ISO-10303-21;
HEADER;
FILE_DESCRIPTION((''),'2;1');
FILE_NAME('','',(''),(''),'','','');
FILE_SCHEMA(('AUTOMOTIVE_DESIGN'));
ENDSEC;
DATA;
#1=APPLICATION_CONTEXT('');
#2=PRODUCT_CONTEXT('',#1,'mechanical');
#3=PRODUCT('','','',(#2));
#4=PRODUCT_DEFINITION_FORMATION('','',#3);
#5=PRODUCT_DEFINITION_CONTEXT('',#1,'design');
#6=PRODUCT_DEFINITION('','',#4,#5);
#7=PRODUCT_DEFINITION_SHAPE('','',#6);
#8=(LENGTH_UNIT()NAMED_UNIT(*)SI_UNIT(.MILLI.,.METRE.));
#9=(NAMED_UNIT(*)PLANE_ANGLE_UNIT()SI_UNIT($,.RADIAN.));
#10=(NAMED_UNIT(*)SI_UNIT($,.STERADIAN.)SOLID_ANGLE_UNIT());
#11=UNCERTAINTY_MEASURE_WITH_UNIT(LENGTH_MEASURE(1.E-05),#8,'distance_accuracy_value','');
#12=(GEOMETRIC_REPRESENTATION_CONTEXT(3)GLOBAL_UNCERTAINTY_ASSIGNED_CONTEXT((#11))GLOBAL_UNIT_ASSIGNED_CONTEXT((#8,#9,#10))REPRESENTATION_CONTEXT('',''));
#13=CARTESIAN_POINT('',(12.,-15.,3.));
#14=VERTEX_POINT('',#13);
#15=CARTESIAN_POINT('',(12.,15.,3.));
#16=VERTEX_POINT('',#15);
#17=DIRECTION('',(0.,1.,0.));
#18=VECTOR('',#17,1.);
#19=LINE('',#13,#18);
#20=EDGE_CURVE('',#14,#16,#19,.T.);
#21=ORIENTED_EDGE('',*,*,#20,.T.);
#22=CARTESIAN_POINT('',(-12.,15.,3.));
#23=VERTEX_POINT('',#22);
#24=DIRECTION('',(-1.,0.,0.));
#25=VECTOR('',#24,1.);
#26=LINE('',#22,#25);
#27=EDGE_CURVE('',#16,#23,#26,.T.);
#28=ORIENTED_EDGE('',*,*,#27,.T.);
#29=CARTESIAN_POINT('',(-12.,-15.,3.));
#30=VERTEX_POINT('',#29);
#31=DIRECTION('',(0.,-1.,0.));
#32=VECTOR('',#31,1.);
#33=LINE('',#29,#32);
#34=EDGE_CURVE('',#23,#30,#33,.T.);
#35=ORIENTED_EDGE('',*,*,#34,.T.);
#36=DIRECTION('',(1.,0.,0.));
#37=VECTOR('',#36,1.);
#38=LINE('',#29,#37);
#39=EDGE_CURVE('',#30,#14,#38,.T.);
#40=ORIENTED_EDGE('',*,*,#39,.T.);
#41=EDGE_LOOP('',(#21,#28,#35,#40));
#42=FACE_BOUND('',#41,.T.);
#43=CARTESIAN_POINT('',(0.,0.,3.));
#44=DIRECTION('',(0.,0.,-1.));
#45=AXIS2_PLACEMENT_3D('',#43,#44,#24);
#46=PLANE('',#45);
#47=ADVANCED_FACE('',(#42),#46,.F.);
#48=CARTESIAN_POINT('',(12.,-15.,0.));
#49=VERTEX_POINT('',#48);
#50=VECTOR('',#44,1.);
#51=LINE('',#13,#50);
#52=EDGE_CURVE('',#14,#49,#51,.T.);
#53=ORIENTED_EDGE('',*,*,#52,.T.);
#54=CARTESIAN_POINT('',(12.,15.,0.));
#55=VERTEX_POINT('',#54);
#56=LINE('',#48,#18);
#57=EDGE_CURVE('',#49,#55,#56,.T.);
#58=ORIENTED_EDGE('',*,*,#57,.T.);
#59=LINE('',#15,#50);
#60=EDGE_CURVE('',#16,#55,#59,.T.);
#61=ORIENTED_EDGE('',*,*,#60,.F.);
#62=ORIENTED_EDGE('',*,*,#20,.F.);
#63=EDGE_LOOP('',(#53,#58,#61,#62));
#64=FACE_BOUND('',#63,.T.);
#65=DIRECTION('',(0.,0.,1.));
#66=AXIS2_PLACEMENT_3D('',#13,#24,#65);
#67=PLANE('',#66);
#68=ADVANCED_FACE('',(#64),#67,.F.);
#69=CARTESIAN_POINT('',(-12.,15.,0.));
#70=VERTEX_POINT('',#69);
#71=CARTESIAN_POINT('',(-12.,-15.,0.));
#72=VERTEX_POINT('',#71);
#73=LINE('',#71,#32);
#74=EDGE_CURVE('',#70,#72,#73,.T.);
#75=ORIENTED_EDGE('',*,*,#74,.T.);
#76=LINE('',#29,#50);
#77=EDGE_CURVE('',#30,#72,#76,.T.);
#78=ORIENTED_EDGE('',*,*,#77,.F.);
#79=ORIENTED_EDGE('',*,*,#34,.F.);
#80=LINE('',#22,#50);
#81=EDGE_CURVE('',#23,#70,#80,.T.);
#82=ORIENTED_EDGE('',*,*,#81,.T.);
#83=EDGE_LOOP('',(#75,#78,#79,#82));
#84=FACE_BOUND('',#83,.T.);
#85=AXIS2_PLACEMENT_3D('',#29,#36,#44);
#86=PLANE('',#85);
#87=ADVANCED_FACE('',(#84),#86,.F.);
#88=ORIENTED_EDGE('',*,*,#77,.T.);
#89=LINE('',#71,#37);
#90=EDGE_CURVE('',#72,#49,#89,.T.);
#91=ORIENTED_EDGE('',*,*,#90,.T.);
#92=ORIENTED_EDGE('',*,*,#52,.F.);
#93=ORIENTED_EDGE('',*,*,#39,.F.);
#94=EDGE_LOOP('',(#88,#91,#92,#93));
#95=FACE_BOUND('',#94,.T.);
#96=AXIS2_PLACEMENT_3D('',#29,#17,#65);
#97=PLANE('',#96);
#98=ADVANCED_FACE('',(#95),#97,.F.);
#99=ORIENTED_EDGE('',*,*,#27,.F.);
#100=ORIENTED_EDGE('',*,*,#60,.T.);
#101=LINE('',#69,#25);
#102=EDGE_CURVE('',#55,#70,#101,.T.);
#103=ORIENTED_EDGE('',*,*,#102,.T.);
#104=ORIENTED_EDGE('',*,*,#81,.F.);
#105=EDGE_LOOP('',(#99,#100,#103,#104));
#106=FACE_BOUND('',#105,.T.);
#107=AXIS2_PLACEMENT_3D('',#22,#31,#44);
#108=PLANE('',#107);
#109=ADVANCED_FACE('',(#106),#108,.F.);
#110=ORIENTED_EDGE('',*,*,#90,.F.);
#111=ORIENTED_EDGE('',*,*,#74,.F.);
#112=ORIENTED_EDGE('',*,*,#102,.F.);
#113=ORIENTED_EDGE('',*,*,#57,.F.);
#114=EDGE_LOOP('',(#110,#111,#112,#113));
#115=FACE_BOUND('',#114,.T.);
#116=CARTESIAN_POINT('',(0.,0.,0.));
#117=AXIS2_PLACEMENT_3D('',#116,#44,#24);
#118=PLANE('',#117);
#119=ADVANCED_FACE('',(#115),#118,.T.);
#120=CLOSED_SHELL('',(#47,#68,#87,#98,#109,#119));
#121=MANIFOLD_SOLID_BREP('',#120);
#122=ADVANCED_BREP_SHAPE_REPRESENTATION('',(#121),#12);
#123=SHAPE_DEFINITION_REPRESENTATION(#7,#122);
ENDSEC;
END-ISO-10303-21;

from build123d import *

# Parameters (mm, degrees)
SKETCH1_W           = 24
SKETCH1_H           = 30
BOSS_EXTRUDE1_DEPTH = 3


with BuildPart() as part:
    # Sketch1 → Boss-Extrude1 (new body)
    with BuildSketch(Plane.XY):
        Rectangle(SKETCH1_W, SKETCH1_H)
    extrude(amount=BOSS_EXTRUDE1_DEPTH)


solid = part.part
